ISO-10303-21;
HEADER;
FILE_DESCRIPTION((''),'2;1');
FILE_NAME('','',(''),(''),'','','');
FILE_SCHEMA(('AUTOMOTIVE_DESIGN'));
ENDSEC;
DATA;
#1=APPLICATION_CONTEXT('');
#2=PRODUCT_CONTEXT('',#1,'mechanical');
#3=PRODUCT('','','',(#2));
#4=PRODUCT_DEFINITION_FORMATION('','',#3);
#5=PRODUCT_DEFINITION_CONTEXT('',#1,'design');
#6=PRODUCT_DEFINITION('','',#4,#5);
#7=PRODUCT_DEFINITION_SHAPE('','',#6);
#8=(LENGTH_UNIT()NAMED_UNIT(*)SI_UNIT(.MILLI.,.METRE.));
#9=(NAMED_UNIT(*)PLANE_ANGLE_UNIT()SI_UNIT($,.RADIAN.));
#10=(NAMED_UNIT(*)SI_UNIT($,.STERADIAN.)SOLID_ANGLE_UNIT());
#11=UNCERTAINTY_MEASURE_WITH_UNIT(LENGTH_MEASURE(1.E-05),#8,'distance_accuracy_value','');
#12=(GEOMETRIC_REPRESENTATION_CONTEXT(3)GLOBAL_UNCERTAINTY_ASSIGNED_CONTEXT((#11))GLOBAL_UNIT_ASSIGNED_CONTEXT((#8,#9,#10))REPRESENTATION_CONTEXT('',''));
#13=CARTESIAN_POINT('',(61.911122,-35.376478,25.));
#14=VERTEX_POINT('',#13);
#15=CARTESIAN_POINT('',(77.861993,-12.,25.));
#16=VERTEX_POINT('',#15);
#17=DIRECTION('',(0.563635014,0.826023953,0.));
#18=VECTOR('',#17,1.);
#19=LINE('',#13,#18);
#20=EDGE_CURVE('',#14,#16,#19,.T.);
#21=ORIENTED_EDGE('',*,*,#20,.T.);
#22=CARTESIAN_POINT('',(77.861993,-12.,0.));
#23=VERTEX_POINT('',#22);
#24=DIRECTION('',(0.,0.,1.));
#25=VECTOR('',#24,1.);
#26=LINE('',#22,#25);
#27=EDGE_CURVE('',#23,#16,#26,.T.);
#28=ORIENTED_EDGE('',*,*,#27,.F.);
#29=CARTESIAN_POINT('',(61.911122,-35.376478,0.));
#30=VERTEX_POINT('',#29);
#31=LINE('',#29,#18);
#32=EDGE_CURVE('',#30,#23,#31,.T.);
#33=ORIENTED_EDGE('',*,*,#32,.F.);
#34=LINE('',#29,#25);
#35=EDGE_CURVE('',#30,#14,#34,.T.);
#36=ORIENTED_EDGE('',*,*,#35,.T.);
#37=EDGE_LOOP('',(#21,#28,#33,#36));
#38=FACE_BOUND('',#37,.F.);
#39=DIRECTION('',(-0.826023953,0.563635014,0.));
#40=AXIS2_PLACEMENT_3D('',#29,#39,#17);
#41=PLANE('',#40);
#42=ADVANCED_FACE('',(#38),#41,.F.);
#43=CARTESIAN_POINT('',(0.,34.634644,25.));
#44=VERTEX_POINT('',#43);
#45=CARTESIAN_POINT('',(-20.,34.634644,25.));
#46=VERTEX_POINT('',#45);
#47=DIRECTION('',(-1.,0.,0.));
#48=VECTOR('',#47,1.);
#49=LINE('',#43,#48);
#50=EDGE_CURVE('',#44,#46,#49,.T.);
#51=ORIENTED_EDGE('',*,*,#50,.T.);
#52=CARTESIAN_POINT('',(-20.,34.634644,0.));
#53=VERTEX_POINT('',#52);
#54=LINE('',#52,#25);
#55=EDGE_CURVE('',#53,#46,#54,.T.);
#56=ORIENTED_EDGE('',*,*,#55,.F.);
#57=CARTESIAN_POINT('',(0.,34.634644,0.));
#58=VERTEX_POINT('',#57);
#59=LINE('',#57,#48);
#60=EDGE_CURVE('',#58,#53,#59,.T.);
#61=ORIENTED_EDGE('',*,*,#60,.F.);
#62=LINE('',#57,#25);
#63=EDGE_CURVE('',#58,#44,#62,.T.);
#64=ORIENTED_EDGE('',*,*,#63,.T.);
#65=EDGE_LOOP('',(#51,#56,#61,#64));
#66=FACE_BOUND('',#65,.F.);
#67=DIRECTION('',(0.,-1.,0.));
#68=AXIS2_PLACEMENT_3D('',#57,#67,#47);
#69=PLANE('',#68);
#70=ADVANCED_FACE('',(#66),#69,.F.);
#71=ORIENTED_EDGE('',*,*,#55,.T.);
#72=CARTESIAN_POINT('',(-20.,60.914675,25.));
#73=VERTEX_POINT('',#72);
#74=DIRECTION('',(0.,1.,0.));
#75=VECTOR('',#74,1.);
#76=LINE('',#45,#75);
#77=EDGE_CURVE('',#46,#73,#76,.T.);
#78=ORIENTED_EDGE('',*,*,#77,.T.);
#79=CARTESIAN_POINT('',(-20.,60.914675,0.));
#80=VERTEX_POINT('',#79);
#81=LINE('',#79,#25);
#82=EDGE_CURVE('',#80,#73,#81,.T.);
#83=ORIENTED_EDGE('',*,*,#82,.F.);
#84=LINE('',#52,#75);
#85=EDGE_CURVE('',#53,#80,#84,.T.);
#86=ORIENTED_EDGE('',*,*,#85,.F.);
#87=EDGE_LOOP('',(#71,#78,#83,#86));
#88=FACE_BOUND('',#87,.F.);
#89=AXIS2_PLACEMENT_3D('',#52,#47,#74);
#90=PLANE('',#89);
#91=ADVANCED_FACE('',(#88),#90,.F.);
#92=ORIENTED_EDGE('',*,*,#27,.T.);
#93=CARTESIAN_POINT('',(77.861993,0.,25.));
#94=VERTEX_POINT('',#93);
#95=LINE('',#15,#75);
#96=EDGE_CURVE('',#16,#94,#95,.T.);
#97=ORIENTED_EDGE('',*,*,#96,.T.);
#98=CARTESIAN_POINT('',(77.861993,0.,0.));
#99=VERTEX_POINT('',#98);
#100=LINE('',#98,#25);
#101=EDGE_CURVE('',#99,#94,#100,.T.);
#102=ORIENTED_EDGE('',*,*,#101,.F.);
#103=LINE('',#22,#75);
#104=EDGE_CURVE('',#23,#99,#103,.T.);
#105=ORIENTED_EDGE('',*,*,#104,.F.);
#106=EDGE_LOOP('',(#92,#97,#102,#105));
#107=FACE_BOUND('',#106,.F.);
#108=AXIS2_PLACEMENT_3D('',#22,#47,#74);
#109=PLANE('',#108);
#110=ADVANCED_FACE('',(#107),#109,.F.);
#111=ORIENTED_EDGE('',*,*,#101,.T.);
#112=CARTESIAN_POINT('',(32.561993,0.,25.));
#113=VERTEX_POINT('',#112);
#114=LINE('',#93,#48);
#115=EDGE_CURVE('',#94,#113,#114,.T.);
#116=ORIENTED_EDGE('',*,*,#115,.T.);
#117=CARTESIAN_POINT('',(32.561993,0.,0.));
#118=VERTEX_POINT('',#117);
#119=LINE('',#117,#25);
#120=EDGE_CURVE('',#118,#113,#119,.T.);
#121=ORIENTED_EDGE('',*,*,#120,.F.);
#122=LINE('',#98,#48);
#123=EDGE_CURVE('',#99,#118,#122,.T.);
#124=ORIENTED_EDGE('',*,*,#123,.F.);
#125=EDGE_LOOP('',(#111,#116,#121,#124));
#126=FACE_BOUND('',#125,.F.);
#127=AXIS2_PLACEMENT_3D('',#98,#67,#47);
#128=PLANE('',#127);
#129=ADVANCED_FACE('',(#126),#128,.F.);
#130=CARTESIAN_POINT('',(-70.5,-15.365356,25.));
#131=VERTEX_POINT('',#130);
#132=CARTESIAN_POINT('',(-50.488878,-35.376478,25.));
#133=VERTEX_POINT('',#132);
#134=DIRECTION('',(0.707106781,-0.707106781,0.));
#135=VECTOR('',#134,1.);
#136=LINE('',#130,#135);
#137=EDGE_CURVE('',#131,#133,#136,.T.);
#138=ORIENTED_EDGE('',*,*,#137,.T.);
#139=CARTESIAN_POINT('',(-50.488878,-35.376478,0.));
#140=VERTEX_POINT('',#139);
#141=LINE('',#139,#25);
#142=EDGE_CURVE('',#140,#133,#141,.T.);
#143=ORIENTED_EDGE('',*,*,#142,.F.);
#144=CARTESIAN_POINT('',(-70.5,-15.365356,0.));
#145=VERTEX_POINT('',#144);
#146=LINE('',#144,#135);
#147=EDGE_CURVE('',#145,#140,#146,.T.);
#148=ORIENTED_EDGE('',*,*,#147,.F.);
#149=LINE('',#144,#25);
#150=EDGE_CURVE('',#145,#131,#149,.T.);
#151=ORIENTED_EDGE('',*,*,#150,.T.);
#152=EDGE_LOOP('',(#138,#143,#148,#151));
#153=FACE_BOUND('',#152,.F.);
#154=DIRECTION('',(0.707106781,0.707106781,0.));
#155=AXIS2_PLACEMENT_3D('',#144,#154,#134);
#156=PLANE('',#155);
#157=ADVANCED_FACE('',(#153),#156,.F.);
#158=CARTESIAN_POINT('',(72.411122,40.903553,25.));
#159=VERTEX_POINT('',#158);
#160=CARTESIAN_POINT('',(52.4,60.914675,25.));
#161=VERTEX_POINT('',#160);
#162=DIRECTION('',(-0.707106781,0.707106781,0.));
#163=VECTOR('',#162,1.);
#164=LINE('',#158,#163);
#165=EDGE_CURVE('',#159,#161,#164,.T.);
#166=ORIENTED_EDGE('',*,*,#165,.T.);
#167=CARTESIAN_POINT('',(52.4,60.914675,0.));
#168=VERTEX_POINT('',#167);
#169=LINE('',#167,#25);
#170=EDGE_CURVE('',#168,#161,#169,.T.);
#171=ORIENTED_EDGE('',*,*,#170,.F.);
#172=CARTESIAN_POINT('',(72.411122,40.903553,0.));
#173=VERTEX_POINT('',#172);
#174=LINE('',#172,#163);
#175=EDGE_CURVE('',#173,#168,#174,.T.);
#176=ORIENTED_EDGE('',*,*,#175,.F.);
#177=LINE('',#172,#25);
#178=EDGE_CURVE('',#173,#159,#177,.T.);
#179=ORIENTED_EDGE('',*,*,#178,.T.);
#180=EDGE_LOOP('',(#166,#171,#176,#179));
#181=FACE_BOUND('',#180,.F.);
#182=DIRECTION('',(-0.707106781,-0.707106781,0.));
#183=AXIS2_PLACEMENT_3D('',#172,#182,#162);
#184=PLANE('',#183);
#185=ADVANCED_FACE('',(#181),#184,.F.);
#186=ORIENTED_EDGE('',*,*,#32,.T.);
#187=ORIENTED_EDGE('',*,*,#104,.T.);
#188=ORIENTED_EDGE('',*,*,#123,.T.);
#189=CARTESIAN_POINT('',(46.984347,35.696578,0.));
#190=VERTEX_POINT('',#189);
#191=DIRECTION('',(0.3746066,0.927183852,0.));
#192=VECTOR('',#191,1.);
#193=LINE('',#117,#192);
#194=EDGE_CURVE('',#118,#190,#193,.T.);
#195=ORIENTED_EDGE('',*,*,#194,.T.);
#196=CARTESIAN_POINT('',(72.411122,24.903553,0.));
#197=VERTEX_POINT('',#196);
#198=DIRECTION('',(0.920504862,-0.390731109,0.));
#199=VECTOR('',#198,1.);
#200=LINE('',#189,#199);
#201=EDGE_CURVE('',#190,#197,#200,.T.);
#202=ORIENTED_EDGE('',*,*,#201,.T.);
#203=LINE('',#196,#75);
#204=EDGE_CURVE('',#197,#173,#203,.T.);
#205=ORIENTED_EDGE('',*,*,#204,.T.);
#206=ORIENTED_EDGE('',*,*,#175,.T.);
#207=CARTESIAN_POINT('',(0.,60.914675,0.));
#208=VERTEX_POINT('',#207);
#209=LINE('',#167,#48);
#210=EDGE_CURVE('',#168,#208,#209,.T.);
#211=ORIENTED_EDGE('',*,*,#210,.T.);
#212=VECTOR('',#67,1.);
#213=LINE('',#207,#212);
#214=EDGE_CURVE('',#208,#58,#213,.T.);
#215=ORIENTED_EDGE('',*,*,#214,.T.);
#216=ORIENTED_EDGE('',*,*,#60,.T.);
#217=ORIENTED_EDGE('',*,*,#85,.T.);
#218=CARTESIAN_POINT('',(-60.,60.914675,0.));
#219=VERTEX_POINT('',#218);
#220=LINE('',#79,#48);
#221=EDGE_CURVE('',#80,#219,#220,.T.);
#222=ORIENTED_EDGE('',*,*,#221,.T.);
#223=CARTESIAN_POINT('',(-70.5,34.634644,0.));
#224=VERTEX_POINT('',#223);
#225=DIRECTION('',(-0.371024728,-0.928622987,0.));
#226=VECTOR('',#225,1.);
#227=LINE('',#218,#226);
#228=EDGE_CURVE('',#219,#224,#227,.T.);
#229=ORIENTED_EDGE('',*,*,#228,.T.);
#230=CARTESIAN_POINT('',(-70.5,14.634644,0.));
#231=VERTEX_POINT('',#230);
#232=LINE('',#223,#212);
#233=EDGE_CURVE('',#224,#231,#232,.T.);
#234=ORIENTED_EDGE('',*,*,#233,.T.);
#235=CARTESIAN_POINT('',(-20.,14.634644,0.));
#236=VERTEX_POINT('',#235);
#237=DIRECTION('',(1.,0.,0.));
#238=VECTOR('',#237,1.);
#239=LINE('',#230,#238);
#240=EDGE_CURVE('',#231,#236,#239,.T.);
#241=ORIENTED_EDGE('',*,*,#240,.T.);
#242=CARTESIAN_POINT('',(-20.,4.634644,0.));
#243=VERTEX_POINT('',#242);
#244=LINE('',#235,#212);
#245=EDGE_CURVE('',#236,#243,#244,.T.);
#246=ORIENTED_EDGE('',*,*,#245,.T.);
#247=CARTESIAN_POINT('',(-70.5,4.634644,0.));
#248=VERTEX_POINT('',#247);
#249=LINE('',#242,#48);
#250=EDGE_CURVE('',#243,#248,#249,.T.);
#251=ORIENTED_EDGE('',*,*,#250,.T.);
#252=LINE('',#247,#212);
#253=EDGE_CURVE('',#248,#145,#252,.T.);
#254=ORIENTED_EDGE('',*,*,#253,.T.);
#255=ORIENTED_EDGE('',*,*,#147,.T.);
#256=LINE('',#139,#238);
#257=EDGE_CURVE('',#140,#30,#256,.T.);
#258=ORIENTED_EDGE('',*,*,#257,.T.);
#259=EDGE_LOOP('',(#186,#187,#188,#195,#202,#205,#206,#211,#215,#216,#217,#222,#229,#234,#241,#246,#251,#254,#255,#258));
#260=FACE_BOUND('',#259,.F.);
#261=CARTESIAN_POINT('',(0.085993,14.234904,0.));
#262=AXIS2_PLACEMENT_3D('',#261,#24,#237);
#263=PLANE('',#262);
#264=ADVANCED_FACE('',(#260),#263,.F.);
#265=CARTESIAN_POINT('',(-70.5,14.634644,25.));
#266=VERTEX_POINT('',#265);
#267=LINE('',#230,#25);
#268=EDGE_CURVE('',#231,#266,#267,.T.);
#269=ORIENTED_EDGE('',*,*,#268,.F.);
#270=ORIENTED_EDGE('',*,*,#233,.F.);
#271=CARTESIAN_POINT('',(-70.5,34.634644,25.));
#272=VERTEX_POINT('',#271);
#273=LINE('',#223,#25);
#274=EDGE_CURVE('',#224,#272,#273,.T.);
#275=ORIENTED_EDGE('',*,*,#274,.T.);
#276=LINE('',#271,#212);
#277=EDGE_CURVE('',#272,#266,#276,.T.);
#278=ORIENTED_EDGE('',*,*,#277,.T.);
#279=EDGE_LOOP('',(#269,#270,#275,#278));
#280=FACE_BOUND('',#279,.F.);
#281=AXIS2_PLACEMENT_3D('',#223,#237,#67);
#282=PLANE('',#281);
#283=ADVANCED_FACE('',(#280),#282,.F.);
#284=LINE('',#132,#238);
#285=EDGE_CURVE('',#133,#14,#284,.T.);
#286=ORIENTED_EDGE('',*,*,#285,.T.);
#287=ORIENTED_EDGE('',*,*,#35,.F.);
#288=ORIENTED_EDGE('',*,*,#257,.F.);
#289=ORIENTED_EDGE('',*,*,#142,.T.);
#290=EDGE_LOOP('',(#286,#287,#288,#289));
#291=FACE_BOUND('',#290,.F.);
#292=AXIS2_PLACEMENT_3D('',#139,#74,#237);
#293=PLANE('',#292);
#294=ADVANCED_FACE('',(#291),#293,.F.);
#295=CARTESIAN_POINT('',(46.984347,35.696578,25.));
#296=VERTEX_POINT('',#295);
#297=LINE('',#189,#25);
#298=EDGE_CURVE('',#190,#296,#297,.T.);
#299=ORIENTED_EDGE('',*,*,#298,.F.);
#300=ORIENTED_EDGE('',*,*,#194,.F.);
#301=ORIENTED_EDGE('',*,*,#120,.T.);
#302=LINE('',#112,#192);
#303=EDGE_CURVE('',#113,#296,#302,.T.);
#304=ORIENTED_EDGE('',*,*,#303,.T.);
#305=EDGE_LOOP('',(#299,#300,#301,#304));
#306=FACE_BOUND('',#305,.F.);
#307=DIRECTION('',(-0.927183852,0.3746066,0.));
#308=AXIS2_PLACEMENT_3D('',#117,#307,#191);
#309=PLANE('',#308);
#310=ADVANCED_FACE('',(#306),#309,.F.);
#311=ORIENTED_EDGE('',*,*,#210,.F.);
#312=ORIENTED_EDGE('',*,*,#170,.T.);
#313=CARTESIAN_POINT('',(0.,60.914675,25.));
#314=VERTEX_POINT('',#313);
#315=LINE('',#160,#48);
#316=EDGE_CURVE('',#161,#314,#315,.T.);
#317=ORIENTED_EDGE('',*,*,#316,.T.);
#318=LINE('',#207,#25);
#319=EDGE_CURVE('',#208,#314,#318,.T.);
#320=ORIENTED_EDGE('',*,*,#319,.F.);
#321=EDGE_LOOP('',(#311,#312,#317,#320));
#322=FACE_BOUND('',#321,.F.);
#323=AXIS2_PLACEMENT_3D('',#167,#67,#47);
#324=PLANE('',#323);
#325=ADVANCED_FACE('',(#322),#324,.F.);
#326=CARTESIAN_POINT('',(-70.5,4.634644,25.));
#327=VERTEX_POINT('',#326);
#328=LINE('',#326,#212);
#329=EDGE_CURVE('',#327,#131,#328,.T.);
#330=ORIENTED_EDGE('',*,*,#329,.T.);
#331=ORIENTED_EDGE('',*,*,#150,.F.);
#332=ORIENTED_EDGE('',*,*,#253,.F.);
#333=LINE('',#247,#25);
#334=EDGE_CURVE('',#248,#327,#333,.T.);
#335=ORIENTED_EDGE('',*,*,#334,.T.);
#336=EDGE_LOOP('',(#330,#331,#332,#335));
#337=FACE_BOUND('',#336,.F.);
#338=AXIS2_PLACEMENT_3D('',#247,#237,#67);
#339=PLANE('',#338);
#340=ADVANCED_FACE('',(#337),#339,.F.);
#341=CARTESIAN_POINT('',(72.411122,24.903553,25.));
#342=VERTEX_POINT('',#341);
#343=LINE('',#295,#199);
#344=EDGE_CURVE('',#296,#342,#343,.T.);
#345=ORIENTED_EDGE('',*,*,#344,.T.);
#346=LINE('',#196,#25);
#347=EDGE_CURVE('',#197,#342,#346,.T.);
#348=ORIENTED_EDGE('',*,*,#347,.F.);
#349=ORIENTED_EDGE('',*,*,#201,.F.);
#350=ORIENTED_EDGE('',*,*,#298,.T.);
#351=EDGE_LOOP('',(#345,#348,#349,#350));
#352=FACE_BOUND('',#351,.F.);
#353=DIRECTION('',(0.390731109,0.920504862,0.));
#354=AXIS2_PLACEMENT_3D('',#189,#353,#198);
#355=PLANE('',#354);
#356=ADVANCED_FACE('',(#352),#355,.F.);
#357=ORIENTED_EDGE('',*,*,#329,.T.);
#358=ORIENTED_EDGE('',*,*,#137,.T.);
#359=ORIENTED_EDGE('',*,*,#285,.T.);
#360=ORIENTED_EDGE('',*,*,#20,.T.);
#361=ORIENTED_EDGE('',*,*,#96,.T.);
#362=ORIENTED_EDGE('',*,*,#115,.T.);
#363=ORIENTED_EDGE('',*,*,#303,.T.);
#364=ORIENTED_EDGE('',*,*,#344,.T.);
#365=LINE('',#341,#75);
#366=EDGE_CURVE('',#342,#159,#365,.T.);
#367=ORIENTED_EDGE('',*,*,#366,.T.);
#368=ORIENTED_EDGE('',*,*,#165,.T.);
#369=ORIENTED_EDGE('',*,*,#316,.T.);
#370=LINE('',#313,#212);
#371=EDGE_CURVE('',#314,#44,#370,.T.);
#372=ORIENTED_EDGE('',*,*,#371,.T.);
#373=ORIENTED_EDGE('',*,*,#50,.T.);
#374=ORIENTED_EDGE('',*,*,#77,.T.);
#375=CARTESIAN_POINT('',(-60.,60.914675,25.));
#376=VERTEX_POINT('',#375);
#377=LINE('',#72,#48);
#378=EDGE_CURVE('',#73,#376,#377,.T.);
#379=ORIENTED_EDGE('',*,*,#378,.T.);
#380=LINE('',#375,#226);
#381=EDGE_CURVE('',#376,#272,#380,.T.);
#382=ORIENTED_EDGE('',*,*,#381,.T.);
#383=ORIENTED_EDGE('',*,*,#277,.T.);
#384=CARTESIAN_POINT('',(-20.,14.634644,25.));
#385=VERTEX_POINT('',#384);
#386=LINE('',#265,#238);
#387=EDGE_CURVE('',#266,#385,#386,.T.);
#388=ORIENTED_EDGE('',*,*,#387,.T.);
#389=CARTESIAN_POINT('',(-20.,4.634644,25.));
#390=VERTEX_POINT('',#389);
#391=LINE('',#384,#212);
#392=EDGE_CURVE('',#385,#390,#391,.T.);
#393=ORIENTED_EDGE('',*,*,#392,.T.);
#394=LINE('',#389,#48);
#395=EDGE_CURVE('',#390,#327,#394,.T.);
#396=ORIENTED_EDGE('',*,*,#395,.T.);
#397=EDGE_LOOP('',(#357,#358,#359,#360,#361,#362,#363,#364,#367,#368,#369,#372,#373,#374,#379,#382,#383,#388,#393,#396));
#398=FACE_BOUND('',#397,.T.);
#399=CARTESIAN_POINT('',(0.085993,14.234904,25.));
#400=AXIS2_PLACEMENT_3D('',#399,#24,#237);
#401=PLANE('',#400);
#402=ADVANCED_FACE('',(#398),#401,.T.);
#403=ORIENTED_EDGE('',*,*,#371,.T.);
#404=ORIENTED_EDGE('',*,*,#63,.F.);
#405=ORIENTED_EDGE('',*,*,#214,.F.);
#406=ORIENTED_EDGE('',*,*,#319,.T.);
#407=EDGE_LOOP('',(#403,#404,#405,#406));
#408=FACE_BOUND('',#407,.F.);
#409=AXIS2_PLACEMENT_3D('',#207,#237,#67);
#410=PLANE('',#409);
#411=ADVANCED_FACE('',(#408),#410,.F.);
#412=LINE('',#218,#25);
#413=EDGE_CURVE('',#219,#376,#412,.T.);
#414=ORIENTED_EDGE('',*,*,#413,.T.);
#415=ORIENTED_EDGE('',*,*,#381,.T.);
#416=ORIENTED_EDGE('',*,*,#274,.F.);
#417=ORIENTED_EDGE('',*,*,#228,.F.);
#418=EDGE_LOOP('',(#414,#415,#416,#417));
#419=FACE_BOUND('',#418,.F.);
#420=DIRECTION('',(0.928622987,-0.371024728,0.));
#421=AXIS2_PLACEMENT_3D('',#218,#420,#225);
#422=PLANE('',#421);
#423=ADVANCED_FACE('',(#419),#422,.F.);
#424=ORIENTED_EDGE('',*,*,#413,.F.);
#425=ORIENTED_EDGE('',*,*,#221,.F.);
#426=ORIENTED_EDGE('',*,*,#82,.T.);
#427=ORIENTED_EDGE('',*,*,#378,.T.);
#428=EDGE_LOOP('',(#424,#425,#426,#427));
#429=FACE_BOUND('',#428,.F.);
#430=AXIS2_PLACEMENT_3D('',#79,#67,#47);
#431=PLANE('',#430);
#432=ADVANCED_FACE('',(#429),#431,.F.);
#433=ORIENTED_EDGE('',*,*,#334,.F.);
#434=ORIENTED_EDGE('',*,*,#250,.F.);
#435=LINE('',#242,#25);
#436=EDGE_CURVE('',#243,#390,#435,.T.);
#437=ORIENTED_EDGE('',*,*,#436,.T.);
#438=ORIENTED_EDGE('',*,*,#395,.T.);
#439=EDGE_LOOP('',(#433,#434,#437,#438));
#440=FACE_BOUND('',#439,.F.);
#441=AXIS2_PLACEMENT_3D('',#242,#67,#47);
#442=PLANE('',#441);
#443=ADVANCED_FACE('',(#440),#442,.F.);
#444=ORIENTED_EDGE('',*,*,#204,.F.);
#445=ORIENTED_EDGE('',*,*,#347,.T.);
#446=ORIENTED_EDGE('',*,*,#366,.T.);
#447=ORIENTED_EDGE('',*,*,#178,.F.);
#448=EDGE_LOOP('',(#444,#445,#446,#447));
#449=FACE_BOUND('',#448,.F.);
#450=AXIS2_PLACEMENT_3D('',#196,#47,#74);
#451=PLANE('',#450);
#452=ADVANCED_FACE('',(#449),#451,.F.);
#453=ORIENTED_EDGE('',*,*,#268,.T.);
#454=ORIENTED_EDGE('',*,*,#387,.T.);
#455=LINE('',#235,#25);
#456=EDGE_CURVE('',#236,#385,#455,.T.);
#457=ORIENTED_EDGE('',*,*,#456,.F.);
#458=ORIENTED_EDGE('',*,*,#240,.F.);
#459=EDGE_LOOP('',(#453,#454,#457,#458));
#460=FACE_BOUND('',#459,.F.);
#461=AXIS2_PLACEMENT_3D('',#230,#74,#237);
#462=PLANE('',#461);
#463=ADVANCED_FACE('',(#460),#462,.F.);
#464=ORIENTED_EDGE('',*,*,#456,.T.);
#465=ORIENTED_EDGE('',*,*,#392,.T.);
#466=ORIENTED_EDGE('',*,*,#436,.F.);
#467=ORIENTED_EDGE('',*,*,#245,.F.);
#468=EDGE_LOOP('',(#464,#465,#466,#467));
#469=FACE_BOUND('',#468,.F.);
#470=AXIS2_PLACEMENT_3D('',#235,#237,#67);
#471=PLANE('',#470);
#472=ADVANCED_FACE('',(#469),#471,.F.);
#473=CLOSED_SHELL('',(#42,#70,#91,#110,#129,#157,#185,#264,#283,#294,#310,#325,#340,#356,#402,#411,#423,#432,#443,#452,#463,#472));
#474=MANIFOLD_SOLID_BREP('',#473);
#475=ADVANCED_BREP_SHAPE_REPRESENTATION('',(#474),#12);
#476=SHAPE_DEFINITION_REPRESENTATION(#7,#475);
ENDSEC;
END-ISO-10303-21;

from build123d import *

# Parameters (mm, degrees)
F1_DEPTH = 25


with BuildPart() as f1:
    # F0 (on Top) → F1 (new body)
    with BuildSketch(Plane.XY):
        Polygon((-20, 60.914675), (-60, 60.914675), (-70.5, 34.634644), (-70.5, 14.634644), (-20, 14.634644), (-20, 4.634644), (-70.5, 4.634644), (-70.5, -15.365356), (-50.488878, -35.376478), (61.911122, -35.376478), (77.861993, -12), (77.861993, 0), (32.561993, 0), (46.984347, 35.696578), (72.411122, 24.903553), (72.411122, 40.903553), (52.4, 60.914675), (0, 60.914675), (0, 34.634644), (-20, 34.634644), align=None)
    extrude(amount=F1_DEPTH)


solid = f1.part
